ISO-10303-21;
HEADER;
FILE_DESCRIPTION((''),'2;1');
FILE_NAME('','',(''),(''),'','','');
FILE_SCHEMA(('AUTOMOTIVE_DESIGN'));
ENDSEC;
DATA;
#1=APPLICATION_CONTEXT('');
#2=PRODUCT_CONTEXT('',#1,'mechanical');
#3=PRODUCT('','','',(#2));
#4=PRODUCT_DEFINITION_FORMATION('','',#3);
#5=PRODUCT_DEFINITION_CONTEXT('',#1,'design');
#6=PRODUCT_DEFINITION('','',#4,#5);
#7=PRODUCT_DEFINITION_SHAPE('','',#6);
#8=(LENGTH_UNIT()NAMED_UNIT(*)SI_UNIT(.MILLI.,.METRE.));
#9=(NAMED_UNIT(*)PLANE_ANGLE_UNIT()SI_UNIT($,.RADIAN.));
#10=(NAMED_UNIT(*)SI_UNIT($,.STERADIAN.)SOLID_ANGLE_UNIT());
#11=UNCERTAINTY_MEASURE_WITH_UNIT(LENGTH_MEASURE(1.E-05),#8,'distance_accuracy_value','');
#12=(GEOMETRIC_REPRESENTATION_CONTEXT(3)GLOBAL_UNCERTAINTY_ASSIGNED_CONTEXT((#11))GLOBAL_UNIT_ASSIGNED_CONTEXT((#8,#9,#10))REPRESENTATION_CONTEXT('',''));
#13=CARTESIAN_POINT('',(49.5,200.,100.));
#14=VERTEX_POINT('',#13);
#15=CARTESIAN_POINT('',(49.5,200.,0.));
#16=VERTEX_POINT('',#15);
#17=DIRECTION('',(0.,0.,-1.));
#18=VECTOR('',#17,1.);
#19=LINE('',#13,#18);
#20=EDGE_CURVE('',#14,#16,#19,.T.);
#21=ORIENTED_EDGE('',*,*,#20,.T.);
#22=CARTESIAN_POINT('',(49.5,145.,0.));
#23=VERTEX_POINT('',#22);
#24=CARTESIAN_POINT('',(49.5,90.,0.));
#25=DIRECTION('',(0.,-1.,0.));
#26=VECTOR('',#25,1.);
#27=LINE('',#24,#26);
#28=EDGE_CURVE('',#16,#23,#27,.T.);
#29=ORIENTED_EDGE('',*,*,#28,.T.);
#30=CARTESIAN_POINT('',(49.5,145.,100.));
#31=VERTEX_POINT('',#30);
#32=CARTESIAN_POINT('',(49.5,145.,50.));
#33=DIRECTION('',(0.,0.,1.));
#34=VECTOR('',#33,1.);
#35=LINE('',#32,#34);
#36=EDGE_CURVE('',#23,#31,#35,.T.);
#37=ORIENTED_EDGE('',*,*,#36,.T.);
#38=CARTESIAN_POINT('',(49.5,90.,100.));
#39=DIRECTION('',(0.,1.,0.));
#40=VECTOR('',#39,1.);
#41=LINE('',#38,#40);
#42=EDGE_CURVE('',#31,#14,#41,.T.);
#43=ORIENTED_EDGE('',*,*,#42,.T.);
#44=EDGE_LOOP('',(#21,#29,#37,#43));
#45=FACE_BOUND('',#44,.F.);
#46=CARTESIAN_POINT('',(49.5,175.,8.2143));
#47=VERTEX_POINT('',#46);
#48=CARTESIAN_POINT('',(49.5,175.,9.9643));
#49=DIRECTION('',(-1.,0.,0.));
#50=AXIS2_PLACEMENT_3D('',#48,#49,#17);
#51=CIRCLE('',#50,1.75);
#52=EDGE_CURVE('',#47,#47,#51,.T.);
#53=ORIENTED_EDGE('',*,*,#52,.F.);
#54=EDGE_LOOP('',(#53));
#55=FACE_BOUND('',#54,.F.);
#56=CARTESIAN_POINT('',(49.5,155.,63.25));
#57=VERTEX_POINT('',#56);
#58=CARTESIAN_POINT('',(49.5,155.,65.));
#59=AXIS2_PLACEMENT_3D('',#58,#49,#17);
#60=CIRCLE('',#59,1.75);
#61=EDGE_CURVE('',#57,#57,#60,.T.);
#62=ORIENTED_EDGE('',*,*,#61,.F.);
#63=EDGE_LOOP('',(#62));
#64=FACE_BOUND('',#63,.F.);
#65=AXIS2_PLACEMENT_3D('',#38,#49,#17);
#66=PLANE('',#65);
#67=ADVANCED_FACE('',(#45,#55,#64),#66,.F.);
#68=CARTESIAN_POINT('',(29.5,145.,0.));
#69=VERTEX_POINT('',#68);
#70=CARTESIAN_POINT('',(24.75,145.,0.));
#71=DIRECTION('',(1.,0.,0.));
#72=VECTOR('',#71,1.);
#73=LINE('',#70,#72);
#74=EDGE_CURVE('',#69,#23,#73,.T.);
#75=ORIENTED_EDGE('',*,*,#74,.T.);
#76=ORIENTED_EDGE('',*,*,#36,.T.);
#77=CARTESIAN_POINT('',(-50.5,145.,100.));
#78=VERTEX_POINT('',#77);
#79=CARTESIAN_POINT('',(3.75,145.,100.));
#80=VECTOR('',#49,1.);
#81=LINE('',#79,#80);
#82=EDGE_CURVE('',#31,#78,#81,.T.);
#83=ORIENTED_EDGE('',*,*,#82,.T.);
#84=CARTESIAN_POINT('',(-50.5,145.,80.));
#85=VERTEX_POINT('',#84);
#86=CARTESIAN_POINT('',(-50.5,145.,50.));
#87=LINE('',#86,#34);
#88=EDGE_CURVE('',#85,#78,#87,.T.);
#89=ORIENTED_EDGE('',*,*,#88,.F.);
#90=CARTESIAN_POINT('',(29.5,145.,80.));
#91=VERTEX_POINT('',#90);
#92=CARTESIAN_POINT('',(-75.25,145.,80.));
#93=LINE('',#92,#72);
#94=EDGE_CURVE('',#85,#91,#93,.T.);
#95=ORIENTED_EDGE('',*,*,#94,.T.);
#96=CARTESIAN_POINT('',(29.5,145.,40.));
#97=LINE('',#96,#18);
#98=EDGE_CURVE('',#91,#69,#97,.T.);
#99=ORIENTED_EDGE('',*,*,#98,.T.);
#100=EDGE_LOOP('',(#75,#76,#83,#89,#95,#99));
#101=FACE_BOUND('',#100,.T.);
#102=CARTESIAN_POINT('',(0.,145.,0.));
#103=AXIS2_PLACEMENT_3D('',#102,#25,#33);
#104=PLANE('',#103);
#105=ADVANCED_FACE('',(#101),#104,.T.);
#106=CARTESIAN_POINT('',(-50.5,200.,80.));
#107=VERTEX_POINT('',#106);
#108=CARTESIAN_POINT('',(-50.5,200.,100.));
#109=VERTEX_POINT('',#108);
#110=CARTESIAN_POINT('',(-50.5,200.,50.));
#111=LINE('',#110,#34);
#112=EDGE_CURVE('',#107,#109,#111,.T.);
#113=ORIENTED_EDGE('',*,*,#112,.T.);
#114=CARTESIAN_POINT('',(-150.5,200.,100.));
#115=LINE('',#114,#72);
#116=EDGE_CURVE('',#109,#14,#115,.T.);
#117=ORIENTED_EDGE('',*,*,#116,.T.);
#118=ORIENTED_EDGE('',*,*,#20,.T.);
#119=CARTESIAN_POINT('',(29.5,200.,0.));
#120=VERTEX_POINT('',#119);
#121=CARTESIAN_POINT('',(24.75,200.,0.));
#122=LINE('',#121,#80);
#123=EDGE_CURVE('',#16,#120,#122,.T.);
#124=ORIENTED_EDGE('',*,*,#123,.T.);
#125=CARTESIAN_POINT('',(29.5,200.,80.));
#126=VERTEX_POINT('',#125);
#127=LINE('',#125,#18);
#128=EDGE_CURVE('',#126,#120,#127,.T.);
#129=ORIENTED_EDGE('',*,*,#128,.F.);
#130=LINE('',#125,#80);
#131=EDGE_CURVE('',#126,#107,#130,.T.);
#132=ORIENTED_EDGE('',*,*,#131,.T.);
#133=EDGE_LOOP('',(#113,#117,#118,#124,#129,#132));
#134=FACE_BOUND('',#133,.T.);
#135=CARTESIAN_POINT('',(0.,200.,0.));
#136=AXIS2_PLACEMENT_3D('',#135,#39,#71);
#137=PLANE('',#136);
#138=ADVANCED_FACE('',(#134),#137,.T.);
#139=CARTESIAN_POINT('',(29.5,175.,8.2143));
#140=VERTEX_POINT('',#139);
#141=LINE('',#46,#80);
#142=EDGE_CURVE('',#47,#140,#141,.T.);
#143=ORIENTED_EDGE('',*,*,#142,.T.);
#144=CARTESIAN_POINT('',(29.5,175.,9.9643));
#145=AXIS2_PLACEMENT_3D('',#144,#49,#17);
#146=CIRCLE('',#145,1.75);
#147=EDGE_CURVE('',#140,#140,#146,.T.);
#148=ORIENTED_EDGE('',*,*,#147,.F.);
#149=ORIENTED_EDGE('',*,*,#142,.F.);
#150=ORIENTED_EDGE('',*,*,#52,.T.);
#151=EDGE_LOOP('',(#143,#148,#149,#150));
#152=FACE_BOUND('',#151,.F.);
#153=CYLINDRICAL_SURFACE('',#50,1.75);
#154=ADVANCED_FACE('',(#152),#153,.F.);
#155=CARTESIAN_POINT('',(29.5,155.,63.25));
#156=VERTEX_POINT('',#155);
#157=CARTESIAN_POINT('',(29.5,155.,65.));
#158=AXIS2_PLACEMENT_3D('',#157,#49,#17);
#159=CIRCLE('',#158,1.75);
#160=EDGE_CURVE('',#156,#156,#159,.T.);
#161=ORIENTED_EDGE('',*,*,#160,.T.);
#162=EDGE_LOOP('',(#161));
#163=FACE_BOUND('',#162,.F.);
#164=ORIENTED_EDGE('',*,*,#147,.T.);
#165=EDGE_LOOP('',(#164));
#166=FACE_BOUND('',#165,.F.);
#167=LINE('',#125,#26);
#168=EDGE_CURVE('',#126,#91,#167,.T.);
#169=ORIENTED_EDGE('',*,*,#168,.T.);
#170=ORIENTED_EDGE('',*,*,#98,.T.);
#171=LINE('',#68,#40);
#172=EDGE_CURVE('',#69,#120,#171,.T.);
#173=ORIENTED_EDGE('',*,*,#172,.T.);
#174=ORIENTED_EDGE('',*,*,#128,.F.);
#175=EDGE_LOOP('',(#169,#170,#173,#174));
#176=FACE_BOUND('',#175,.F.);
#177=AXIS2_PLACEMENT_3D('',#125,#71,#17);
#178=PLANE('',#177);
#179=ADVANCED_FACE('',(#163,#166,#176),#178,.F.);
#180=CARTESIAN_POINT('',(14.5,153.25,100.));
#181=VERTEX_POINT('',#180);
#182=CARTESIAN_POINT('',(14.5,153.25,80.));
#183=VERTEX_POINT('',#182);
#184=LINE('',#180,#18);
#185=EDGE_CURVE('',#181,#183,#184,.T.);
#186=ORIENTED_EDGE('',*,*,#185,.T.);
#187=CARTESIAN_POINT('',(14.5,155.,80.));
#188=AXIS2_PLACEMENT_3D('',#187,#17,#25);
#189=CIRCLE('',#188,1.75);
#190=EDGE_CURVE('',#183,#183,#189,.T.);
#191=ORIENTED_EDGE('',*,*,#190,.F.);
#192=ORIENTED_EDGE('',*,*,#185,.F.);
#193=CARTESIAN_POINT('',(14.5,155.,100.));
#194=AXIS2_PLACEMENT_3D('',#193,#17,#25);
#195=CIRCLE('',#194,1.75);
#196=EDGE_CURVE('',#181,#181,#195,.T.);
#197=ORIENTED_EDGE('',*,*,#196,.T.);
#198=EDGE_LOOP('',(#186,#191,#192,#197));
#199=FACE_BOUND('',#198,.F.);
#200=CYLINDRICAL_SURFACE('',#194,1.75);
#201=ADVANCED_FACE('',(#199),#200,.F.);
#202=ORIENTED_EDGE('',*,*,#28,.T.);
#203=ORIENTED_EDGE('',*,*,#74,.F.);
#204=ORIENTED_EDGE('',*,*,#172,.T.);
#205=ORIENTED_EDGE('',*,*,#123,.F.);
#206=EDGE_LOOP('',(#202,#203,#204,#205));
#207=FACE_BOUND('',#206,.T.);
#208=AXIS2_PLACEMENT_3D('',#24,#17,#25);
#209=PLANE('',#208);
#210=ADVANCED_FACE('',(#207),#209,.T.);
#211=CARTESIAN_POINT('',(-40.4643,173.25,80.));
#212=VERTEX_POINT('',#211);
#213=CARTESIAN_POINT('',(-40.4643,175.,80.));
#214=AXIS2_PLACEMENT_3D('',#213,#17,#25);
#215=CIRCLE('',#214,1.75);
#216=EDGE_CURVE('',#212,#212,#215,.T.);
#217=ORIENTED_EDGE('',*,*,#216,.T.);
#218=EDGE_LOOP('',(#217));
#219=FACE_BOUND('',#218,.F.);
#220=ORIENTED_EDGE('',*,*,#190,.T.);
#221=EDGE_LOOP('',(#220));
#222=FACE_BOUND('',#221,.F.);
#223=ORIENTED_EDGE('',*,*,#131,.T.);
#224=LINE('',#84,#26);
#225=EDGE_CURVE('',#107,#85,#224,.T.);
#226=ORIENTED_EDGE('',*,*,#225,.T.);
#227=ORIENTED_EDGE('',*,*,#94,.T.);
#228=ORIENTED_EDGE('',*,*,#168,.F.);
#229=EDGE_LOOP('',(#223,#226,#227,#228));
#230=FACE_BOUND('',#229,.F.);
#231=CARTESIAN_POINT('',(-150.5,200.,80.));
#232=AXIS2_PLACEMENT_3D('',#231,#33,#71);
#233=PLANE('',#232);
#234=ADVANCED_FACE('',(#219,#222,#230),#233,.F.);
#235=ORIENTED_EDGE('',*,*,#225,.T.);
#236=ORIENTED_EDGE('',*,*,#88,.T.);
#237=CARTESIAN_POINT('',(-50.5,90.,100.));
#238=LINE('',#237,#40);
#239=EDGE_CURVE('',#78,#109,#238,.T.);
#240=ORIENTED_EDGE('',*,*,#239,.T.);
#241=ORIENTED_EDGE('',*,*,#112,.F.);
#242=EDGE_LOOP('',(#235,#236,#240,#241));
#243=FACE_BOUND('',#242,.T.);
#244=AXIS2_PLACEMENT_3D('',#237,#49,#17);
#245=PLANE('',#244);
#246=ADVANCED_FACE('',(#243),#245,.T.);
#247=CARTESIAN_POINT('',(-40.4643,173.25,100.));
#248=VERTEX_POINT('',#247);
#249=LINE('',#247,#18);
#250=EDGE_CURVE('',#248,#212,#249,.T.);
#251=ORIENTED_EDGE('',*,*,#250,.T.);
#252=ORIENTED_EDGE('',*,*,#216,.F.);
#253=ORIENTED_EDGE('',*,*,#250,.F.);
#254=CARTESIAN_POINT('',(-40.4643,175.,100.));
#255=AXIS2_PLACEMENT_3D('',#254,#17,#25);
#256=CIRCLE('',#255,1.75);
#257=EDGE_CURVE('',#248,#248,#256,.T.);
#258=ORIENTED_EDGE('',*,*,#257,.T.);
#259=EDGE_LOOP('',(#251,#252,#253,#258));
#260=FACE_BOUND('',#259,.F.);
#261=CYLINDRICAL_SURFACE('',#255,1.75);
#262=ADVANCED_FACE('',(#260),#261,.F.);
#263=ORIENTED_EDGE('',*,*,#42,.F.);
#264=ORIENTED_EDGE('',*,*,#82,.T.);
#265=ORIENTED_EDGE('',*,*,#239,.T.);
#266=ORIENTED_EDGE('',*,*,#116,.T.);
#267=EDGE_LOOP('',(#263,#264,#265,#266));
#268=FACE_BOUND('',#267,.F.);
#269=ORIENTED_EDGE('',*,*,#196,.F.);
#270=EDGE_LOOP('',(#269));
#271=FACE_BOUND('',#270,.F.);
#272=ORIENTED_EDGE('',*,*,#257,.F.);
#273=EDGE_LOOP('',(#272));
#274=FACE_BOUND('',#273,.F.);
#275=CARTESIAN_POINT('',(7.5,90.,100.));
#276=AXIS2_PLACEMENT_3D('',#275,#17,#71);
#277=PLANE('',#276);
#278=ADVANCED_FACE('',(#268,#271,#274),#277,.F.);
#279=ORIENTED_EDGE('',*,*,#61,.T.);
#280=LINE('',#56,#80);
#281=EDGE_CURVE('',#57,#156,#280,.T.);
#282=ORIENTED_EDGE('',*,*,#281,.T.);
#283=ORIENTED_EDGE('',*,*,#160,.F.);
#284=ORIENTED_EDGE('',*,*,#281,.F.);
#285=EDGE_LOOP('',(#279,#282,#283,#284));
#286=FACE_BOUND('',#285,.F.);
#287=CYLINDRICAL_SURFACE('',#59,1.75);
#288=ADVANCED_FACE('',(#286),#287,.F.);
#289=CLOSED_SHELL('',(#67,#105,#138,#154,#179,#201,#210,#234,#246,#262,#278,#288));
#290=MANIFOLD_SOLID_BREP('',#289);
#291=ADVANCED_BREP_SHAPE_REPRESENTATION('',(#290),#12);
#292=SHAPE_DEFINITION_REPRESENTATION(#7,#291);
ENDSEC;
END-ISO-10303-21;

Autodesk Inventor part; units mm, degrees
ref_plane "YZ Plane" through (0, 0, 0) normal (1, 0, 0) x (0, 1, 0)
ref_plane "XZ Plane" through (0, 0, 0) normal (0, 1, 0) x (-1, 0, 0)
ref_plane "XY Plane" through (0, 0, 0) normal (0, 0, 1) x (1, 0, 0)
sketch "Boceto2" plane through (0, 0, 0) normal (0, 1, 0) x (-1, 0, 0)
  line L0 (7.5, 100) -> (-7.5, 100)
  line L1 (-7.5, 100) -> (-7.5, -100)
  line L2 (-7.5, -100) -> (7.5, -100)
  line L3 (7.5, -100) -> (7.5, 100)
  line L4 (7.5, 100) -> (-7.5, -100) construction
  line L5 (-7.5, 100) -> (7.5, -100) construction
  point P0 (0, 0)
  dimension "d7" = 15
  dimension "d8" = 200
extrude "Extrusión1" add sketch "Boceto2" along normal blind 10
sketch "Boceto3" plane through (0, 10, 0) normal (0, 1, 0) x (1, 0, 0)
  circle A0 centre (3.25, 58.25) radius 1.75
  line L0 (5, 50) -> (-5, 50)
  line L1 (-5, 50) -> (-5, 60)
  line L2 (-5, 60) -> (5, 60)
  line L3 (5, 60) -> (5, 50)
  line L4 (5, 50) -> (-5, 60) construction
  line L5 (-5, 50) -> (5, 60) construction
  circle A1 centre (-3.25, 51.75) radius 1.75
  line L6 (7.5, 100) -> (-7.5, 100) projected
  line L7 (-7.5, 0) -> (3.408, 0)
  line L8 (5, -60) -> (5, -50)
  line L9 (-5, -60) -> (5, -60)
  line L10 (5, -50) -> (-5, -50)
  line L11 (-5, -50) -> (-5, -60)
  line L12 (-5, -50) -> (5, -60) construction
  circle A2 centre (-3.25, -51.75) radius 1.75
  line L13 (5, -50) -> (-5, -60) construction
  circle A3 centre (3.25, -58.25) radius 1.75
  line L14 (-7.5, -100) -> (7.5, -100) projected
  point P0 (0, 0)
  point P1 (-5, 55)
  point P2 (0, 100)
  point P3 (-5, -55)
  dimension "d11" = 3.5
  dimension "d12" = 1.75
  dimension "d13" = 1.75
  dimension "d14" = 1.75
  dimension "d15" = 1.75
  dimension "d16" = 10
  dimension "d17" = 10
  dimension "d19" = 40
  dimension "d81" = 40
hole "Agujero1" at (3.25, 10, 58.25) at (-3.25, 10, 51.75) at (3.25, 10, -58.25) at (-3.25, 10, -51.75) direction (0, -1, 0) diameter 3.5 end through all
sketch "Boceto4" plane through (0, 10, 0) normal (0, 1, 0) x (1, 0, 0)
  line L0 (-7.5, 100) -> (-7.5, -100) projected
  line L1 (-7.5, -100) -> (7.5, -100)
  line L2 (7.5, -100) -> (7.5, -80)
  line L3 (7.5, -80) -> (-7.5, -80)
  line L4 (-7.5, -80) -> (-7.5, -100)
  line L5 (-7.5, 0) -> (1.0116, 0)
  line L6 (-7.5, -100) -> (-7.5, 100)
  line L7 (-7.5, 100) -> (7.5, 100)
  line L8 (7.5, 100) -> (7.5, 80)
  line L9 (7.5, 80) -> (-7.5, 80)
  line L10 (-7.5, 80) -> (-7.5, 100)
  point P0 (0, 0)
  point P1 (-7.5, -80)
  point P2 (-7.5, 80)
  dimension "d27" = 15
  dimension "d28" = 20
extrude "Extrusión2" add sketch "Boceto4" along normal blind 80
sketch "Boceto5" plane through (0, 90, 0) normal (0, 1, 0) x (1, 0, 0)
  line L0 (-7.5, -100) -> (7.5, -100) projected
  line L1 (-7.5, -100) -> (49.5, -100)
  line L2 (49.5, -100) -> (49.5, 100)
  line L3 (49.5, 100) -> (-7.5, 100)
  line L4 (-7.5, 100) -> (-7.5, -100)
  line L5 (49.5, -100) -> (-150.5, -100)
  line L6 (-150.5, -100) -> (-150.5, 100)
  line L7 (-150.5, 100) -> (49.5, 100)
  line L8 (49.5, 100) -> (49.5, -100)
  point P0 (0, 0)
  point P1 (-7.5, 100)
  dimension "d31" = 57
  dimension "d32" = 200
  dimension "d75" = 200
extrude "Extrusión3" add sketch "Boceto5" along normal blind 110
sketch "Boceto6" plane through (0, 200, 0) normal (0, 1, 0) x (1, 0, 0)
  line L0 (49.5, 100) -> (7.5, 100) projected
  line L1 (49.5, 100) -> (29.5, 100)
  line L2 (29.5, 100) -> (29.5, 80)
  line L3 (7.5, -100) -> (49.5, -100) projected
  line L4 (28.5, -100) -> (28.5, -80)
  line L5 (-150.5, 100) -> (-150.5, -100) projected
  line L6 (29.5, 80) -> (-150.5, 80)
  line L7 (-150.5, 80) -> (-150.5, -80)
  line L8 (-150.5, -80) -> (29.5, -80)
  line L9 (29.5, -80) -> (29.5, 80)
  line L10 (-150.5, -100) -> (49.5, -100) projected
  point P0 (7.5, 80)
  point P1 (-50.5, -100)
  dimension "d36" = 20
  dimension "d37" = 20
  dimension "d38" = 20
  dimension "d77" = 20
extrude "Extrusión4" cut sketch "Boceto6" against normal blind 90 contours L8 L5 L6 L9
sketch "Boceto7" plane through (-150.5, 90, -100) normal (-1, 0, 0) x (0, 0, 1)
  line L0 (0, 110) -> (20, 110) projected
  line L1 (20, 110) -> (10, 110)
  line L2 (10, 110) -> (10, 20)
  line L3 (10, 20) -> (20, 20)
  line L4 (20, 20) -> (20, 110)
  line L5 (180, 110) -> (180, 20) projected
  line L6 (180, 110) -> (190, 110)
  line L7 (190, 110) -> (190, 20)
  line L8 (190, 20) -> (180, 20)
  line L9 (180, 20) -> (180, 110)
  line L10 (200, 0) -> (200, 110) projected
  line L11 (0, 0) -> (0, 110) projected
  line L12 (0, 110) -> (10, 110)
  line L13 (10, 110) -> (10, 20)
  line L14 (10, 20) -> (0, 20)
  line L15 (0, 20) -> (0, 110)
  line L16 (200, 110) -> (0, 110) projected
  line L17 (200, 110) -> (190, 110)
  line L18 (190, 110) -> (190, 20)
  line L19 (190, 20) -> (200, 20)
  line L20 (200, 20) -> (200, 110)
  point P0 (100, -90)
  dimension "d63" = 10
  dimension "d65" = 10
  dimension "d76" = 10
extrude "Extrusión5" cut sketch "Boceto7" against normal blind 30 contours L6 L7 L8 L5 | L0 L4 L3 L2
sketch "Boceto8" plane through (-7.5, 0, 100) normal (0, 0, 1) x (1, 0, 0)
  line L0 (-113, 110) -> (-113, 200) projected
  line L1 (-113, 200) -> (-113, 110)
  circle A0 centre (-124.75, 183.25) radius 1.75
  line L2 (-123, 175) -> (-133, 175)
  line L3 (-133, 175) -> (-133, 185)
  line L4 (-133, 185) -> (-123, 185)
  line L5 (-123, 185) -> (-123, 175)
  line L6 (-123, 175) -> (-133, 185) construction
  line L7 (-133, 175) -> (-123, 185) construction
  circle A1 centre (-131.25, 176.75) radius 1.75
  line L8 (-143, 200) -> (57, 200) projected
  line L9 (-143, 90) -> (-143, 200) projected
  line L10 (-113, 155) -> (-128, 155)
  line L11 (-123, 125) -> (-123, 135)
  line L12 (-133, 125) -> (-123, 125)
  line L13 (-123, 135) -> (-133, 125) construction
  line L14 (-123, 135) -> (-133, 135)
  line L15 (-133, 135) -> (-123, 125) construction
  circle A2 centre (-131.25, 133.25) radius 1.75
  line L16 (-133, 135) -> (-133, 125)
  circle A3 centre (-124.75, 126.75) radius 1.75
  line L17 (-143, 110) -> (-113, 110) projected
  point P0 (7.5, 0)
  point P1 (-133, 180)
  point P2 (-123, 180)
  point P3 (-133, 130)
  point P4 (-123, 130)
  dimension "d45" = 3.5
  dimension "d46" = 1.75
  dimension "d47" = 1.75
  dimension "d48" = 1.75
  dimension "d49" = 1.75
  dimension "d50" = 10
  dimension "d51" = 10
  dimension "d52" = 15
  dimension "d53" = 10
  dimension "d54" = 10
  dimension "d55" = 15
hole "Agujero2" at (-132.25, 183.25, 100) at (-138.75, 176.75, 100) at (-138.75, 133.25, 100) at (-132.25, 126.75, 100) direction (0, 0, -1) diameter 3.5 end through all
ref_plane "Plano de trabajo1" through (-150.5, 90, 100) normal (0, -1, 0) x (1, 0, 0)
split "Dividir1" plane through (-150.5, 90, 100) removes the side toward (0, -1, 0)
ref_plane "Plano de trabajo2" through (49.5, 90, 0) normal (0, 0, -1) x (-1, 0, 0)
ref_plane "Plano de trabajo3" through (-50.5, 90, 100) normal (1, 0, 0) x (0, 0, -1)
ref_plane "Plano de trabajo4" through (0, 145, 0) normal (0, 1, 0) x (1, 0, 0)
sketch "Boceto9" plane through (-150.5, 90, 100) normal (0, 0, 1) x (1, 0, 0)
  line L0 (85.0357, 30) -> (115.0357, 30)
  circle A0 centre (110.0357, 25) radius 1.75
  line L1 (90.0357, 25) -> (110.0357, 25)
  line L2 (115.0357, 30) -> (115.0357, 20)
  circle A1 centre (90.0357, 25) radius 1.75
  line L3 (85.0357, 20) -> (115.0357, 30) construction
  line L4 (85.0357, 30) -> (115.0357, 20) construction
  line L5 (85.0357, 20) -> (85.0357, 30)
  line L6 (115.0357, 20) -> (85.0357, 20)
  line L7 (200, 0) -> (200, 110)
  line L8 (200, 55) -> (88.2857, 55)
  circle A2 centre (90.0357, 85) radius 1.75
  line L9 (85.0357, 80) -> (115.0357, 80)
  line L10 (85.0357, 80) -> (115.0357, 90) construction
  line L11 (85.0357, 90) -> (85.0357, 80)
  line L12 (115.0357, 90) -> (85.0357, 90)
  line L13 (85.0357, 90) -> (115.0357, 80) construction
  circle A3 centre (110.0357, 85) radius 1.75
  line L14 (90.0357, 85) -> (110.0357, 85)
  line L15 (115.0357, 80) -> (115.0357, 90)
  line L16 (100.0357, 55) -> (185.099, 55) construction
  line L17 (160, 70) -> (160, 40)
  circle A4 centre (165, 45) radius 1.75
  line L18 (170, 40) -> (170, 70)
  line L19 (170, 70) -> (160, 40) construction
  line L20 (160, 40) -> (170, 40)
  line L21 (160, 70) -> (170, 40) construction
  circle A5 centre (165, 65) radius 1.75
  line L22 (165, 65) -> (165, 45)
  line L23 (170, 70) -> (160, 70)
  circle A6 centre (55, 65) radius 1.75
  line L24 (60, 70) -> (60, 40)
  line L25 (60, 40) -> (50, 40)
  circle A7 centre (55, 45) radius 1.75
  line L26 (55, 65) -> (55, 45)
  line L27 (60, 70) -> (50, 40) construction
  line L28 (50, 40) -> (50, 70)
  line L29 (50, 70) -> (60, 40) construction
  line L30 (50, 70) -> (60, 70)
  line L31 (30, 110) -> (30, 20)
  point P0 (150.5, -90)
  point P1 (100.0357, 34.7141)
  point P2 (100.0357, 34.7141)
  point P3 (85.0357, 36.6749)
  point P4 (115.0357, 25)
  point P5 (115.0357, 85)
  point P6 (189.1833, 40)
  point P7 (165, 70)
  point P8 (70.0357, 40)
  point P9 (55, 70)
  dimension "d89" = 10
  dimension "d90" = 30
  dimension "d91" = 5
  dimension "d92" = 5
  dimension "d93" = 5
  dimension "d94" = 5
  dimension "d95" = 30
  dimension "d96" = 5
  dimension "d97" = 5
  dimension "d98" = 3.5
  dimension "d99" = 5
  dimension "d100" = 5
  dimension "d101" = 5
  dimension "d102" = 5
  dimension "d103" = 5
  dimension "d104" = 20
hole "Agujero3" at (-60.4643, 175, 100) at (-40.4643, 175, 100) at (14.5, 155, 100) at (-95.5, 155, 100) at (-95.5, 135, 100) at (-60.4643, 115, 100) at (-40.4643, 115, 100) at (14.5, 135, 100) direction (0, 0, -1) diameter 3.5 end through all
sketch "Boceto10" plane through (49.5, 90, 100) normal (1, 0, 0) x (0, 0, -1)
  line L0 (85.0357, 30) -> (115.0357, 30)
  circle A0 centre (110.0357, 25) radius 1.75
  line L1 (90.0357, 25) -> (110.0357, 25)
  line L2 (115.0357, 30) -> (115.0357, 20)
  circle A1 centre (90.0357, 25) radius 1.75
  line L3 (85.0357, 30) -> (115.0357, 20) construction
  line L4 (85.0357, 20) -> (85.0357, 30)
  line L5 (115.0357, 20) -> (85.0357, 20)
  line L6 (85.0357, 20) -> (115.0357, 30) construction
  line L7 (160, 70) -> (160, 40)
  circle A2 centre (165, 45) radius 1.75
  line L8 (160, 40) -> (170, 40)
  line L9 (165, 65) -> (165, 45)
  circle A3 centre (165, 65) radius 1.75
  line L10 (170, 70) -> (160, 40) construction
  line L11 (170, 70) -> (160, 70)
  line L12 (160, 70) -> (170, 40) construction
  line L13 (170, 40) -> (170, 70)
  line L14 (40, 70) -> (40, 40)
  line L15 (35, 65) -> (35, 45)
  circle A4 centre (35, 65) radius 1.75
  line L16 (40, 40) -> (30, 40)
  line L17 (40, 70) -> (30, 40) construction
  line L18 (30, 70) -> (40, 40) construction
  line L19 (30, 70) -> (40, 70)
  line L20 (30, 40) -> (30, 70)
  circle A5 centre (35, 45) radius 1.75
  circle A6 centre (90.0357, 85) radius 1.75
  line L21 (85.0357, 80) -> (115.0357, 80)
  line L22 (115.0357, 80) -> (115.0357, 90)
  circle A7 centre (110.0357, 85) radius 1.75
  line L23 (90.0357, 85) -> (110.0357, 85)
  line L24 (85.0357, 80) -> (115.0357, 90) construction
  line L25 (85.0357, 90) -> (85.0357, 80)
  line L26 (115.0357, 90) -> (85.0357, 90)
  line L27 (85.0357, 90) -> (115.0357, 80) construction
  line L28 (0, 0) -> (0, 110)
  line L29 (200, 0) -> (200, 110)
  point P0 (100, -90)
  point P1 (100.0357, 34.7141)
  point P2 (100.0357, 34.7141)
  point P3 (85.0357, 36.6749)
  point P4 (115.0357, 25)
  point P5 (88.2857, 55)
  point P6 (189.1833, 40)
  point P7 (165, 70)
  point P8 (70.0357, 40)
  point P9 (35, 70)
  point P10 (115.0357, 85)
  point P11 (100.0357, 55)
  dimension "d112" = 10
  dimension "d113" = 30
  dimension "d114" = 5
  dimension "d115" = 5
  dimension "d116" = 5
  dimension "d117" = 5
  dimension "d118" = 5
  dimension "d119" = 5
  dimension "d120" = 3.5
  dimension "d121" = 5
  dimension "d122" = 5
  dimension "d123" = 5
  dimension "d124" = 5
  dimension "d125" = 5
  dimension "d126" = 30
  dimension "d127" = 30
hole "Agujero4" at (49.5, 175, 9.9643) at (49.5, 175, -10.0357) at (49.5, 155, 65) at (49.5, 135, 65) at (49.5, 115, 9.9643) at (49.5, 115, -10.0357) at (49.5, 135, -65) at (49.5, 155, -65) direction (-1, 0, 0) diameter 3.5 end through all
split "Dividir2" plane through (-50.5, 90, 100) removes the side toward (-1, 0, 0)
split "Dividir3" plane through (0, 145, 0) removes the side toward (0, -1, 0)
split "Dividir4" plane through (49.5, 90, 0) removes the side toward (0, 0, -1)
properties part number "container_front_head_6"
